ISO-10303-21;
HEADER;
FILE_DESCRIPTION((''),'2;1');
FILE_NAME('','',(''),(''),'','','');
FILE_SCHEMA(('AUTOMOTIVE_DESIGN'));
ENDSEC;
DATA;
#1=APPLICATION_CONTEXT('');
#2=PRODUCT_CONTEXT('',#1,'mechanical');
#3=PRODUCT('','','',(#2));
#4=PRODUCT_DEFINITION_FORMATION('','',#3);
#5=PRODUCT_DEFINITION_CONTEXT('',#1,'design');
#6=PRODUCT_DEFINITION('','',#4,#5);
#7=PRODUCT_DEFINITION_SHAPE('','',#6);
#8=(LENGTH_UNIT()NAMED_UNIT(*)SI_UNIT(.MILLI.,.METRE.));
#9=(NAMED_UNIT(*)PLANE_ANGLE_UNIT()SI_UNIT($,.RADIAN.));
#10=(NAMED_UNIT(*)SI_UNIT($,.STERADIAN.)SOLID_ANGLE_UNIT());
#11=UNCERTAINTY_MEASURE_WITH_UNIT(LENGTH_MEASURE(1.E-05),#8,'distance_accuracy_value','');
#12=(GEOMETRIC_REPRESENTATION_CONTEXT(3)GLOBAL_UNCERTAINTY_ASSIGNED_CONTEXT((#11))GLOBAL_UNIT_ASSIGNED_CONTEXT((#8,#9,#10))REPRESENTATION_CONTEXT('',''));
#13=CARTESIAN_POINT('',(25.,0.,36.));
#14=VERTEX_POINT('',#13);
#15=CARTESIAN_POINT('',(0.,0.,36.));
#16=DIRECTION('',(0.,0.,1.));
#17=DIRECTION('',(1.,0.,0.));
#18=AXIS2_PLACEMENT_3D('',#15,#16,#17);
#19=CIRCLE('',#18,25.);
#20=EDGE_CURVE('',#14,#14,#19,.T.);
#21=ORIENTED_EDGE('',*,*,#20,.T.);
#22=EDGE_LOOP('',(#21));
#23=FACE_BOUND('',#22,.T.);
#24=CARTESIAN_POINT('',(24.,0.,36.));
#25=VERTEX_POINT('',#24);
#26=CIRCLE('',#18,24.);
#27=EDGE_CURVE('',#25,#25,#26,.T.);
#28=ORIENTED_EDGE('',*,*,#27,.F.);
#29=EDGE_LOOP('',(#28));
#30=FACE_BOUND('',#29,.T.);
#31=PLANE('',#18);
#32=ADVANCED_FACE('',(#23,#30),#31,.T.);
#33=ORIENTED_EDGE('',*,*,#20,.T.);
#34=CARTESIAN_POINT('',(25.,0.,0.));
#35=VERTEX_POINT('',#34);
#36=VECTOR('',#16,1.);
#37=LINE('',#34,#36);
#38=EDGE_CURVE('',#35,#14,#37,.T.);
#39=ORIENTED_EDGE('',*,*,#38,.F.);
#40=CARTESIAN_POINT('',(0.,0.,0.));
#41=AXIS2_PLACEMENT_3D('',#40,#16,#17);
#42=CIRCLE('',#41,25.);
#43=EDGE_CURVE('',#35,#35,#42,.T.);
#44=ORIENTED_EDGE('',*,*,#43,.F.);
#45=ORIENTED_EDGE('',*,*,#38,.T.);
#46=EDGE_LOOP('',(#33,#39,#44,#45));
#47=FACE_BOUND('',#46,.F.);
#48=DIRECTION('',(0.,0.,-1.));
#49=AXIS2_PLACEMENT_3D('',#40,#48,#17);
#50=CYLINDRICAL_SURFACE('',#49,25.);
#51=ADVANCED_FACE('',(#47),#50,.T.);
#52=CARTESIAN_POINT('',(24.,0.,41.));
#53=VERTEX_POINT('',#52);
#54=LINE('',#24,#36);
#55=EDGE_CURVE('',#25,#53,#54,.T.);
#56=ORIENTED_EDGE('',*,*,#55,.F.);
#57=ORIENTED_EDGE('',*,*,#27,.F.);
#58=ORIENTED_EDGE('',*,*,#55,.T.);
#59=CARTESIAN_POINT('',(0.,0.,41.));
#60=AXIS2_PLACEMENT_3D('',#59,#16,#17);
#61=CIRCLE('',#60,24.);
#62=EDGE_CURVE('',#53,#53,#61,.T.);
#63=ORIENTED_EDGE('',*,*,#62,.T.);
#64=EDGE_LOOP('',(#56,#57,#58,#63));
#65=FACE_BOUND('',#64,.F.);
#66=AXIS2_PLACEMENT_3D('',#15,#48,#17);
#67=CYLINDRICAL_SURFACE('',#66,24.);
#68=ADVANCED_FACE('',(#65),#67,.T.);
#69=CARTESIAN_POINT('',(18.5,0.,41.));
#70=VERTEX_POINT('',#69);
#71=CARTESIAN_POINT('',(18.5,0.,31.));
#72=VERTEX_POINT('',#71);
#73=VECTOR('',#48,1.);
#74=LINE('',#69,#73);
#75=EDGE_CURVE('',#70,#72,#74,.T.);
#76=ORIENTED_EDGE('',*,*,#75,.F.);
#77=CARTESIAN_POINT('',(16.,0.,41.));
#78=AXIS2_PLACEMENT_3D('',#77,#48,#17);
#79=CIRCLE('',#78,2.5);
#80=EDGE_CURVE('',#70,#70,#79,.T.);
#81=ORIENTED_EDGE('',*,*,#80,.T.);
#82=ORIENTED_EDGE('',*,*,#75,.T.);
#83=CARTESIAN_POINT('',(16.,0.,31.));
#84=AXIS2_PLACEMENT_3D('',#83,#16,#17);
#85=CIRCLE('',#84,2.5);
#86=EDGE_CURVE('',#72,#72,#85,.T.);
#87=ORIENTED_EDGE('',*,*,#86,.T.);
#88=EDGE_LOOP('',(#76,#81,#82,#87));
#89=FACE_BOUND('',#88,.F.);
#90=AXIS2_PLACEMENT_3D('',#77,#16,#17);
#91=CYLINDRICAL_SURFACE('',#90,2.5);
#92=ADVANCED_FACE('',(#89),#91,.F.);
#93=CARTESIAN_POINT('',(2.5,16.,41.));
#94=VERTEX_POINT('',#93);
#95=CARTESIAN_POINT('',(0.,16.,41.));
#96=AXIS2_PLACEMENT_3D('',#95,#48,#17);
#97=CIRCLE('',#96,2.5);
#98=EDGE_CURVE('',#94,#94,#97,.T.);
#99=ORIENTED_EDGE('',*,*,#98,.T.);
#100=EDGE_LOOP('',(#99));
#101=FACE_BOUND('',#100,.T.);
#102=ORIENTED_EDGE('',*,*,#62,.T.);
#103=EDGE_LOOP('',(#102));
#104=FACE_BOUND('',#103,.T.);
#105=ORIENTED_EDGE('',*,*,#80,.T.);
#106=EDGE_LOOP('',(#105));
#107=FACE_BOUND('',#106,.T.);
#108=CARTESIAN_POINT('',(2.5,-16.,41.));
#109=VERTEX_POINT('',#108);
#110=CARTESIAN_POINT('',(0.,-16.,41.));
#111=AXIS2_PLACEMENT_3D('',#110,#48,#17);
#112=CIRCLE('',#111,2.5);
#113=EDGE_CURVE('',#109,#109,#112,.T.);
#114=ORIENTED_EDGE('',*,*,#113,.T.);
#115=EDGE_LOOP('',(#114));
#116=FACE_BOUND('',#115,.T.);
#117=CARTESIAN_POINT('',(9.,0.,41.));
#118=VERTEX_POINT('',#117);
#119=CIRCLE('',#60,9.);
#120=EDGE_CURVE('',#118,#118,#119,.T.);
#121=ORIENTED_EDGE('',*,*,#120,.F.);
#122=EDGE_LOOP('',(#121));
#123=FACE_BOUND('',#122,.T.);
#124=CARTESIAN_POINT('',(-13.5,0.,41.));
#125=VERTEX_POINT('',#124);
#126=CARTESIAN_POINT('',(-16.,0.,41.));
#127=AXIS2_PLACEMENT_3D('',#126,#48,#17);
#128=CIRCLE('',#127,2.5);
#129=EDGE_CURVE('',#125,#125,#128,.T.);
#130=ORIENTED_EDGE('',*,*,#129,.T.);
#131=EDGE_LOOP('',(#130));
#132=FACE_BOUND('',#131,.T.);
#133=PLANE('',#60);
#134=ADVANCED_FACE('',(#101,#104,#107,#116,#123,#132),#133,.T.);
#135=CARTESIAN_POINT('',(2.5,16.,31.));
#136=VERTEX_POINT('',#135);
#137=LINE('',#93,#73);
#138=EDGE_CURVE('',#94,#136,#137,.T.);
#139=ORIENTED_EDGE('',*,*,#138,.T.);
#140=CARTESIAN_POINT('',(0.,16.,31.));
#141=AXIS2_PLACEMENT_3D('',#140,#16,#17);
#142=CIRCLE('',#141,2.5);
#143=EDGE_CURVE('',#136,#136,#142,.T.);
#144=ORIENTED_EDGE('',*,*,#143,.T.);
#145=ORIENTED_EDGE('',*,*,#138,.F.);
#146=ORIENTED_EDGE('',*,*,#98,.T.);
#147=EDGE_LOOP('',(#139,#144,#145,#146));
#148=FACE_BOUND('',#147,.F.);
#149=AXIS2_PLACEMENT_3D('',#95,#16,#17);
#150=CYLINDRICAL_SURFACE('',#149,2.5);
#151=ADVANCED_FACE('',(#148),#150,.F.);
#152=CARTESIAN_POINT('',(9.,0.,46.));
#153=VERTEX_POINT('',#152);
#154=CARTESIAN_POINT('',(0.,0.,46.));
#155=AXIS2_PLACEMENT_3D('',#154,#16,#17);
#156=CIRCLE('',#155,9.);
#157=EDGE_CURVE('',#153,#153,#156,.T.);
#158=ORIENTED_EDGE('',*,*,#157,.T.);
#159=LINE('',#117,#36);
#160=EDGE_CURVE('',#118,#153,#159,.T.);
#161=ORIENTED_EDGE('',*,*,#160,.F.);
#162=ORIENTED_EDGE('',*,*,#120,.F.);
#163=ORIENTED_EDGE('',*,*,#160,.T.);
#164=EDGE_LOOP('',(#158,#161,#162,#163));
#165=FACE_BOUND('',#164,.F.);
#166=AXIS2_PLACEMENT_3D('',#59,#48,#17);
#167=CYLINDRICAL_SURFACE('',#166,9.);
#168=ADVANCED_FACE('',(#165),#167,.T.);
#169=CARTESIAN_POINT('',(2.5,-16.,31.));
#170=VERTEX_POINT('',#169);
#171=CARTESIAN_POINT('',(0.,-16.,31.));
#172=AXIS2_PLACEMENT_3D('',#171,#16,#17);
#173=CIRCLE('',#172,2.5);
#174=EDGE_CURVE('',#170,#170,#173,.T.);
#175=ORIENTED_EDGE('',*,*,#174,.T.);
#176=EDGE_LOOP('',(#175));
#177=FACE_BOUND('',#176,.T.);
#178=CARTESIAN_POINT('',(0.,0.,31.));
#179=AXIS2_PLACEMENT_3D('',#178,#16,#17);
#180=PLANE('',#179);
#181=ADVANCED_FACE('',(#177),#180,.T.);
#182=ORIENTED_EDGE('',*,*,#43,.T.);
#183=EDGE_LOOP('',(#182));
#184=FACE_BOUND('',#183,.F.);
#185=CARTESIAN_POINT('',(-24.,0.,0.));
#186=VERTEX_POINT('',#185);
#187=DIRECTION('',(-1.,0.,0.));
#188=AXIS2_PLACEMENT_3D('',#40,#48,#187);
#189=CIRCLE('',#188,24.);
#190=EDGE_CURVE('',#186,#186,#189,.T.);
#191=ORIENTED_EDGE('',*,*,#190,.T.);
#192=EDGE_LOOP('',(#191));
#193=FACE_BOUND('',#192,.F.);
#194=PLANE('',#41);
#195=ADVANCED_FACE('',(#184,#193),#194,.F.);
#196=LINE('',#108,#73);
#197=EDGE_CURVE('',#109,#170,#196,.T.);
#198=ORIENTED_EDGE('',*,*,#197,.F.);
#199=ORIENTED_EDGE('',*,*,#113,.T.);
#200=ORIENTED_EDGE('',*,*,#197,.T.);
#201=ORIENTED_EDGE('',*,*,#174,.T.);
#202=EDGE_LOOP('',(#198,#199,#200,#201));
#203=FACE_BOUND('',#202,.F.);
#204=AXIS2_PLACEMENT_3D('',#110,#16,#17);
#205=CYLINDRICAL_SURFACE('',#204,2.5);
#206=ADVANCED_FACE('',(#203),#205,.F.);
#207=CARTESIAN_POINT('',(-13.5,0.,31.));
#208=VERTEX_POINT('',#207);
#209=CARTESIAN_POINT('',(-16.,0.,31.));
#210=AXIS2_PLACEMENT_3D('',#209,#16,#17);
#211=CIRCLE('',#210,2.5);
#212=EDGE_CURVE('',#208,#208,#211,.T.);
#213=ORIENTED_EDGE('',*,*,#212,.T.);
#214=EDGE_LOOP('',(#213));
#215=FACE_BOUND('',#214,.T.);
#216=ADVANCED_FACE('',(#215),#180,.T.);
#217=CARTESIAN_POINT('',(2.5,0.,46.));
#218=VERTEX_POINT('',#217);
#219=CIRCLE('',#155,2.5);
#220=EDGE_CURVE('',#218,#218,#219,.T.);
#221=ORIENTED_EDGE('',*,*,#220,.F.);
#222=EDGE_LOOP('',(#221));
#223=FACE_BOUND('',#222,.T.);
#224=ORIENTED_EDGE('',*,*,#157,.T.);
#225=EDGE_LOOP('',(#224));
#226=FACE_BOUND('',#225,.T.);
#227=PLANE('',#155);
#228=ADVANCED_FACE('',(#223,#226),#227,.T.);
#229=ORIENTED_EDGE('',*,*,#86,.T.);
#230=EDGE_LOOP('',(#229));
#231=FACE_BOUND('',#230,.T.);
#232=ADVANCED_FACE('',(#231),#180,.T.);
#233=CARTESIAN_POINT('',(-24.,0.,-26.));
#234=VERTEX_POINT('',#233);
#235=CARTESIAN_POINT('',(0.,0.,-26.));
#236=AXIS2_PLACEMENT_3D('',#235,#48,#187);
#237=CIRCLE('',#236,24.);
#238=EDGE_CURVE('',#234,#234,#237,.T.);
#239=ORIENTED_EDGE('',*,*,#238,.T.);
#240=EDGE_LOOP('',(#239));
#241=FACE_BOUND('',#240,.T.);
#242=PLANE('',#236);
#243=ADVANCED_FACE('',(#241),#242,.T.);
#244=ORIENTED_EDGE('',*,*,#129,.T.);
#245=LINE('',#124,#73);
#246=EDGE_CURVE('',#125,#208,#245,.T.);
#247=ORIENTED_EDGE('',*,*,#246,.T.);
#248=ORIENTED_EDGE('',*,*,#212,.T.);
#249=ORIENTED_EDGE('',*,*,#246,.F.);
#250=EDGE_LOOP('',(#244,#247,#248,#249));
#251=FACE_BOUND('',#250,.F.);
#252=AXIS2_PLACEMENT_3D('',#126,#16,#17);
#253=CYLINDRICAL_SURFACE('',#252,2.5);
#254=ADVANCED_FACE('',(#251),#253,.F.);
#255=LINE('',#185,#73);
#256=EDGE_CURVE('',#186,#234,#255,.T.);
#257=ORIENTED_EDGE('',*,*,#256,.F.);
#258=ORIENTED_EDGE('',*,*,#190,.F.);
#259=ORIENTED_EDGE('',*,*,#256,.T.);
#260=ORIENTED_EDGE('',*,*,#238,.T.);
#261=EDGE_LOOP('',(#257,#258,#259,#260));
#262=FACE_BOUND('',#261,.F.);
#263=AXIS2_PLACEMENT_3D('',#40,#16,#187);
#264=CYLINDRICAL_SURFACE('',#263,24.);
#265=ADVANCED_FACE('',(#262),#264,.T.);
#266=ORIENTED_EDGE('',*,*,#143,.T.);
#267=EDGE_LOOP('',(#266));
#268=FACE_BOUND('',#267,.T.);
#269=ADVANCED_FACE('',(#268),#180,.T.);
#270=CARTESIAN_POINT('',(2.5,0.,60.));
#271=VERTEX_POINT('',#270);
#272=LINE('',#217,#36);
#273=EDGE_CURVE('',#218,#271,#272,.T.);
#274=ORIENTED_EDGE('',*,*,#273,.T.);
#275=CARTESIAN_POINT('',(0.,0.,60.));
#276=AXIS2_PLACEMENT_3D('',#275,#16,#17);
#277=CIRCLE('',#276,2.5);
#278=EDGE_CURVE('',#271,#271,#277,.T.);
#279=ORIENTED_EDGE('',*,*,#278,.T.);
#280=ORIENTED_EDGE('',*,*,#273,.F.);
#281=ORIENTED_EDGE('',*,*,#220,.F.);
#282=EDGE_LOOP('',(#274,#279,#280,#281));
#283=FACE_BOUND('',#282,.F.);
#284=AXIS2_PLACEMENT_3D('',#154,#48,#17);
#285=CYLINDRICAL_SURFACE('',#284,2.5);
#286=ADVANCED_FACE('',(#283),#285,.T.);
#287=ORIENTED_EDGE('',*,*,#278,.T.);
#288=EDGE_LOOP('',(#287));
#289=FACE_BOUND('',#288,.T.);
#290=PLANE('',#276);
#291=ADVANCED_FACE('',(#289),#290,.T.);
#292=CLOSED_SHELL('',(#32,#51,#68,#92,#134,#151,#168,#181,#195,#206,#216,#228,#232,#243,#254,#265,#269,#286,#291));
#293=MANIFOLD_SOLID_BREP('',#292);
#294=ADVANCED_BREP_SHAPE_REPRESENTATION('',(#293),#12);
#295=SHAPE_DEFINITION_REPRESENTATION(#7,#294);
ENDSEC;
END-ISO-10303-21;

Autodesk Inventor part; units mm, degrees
ref_plane "YZ Plane" through (0, 0, 0) normal (1, 0, 0) x (0, 1, 0)
ref_plane "XZ Plane" through (0, 0, 0) normal (0, 1, 0) x (-1, 0, 0)
ref_plane "XY Plane" through (0, 0, 0) normal (0, 0, 1) x (1, 0, 0)
sketch "Sketch1" plane through (0, 0, 0) normal (0, 0, 1) x (1, 0, 0)
  circle A0 centre (0, 0) radius 25
  dimension "d0" = 50
extrude "Extrusion1" add sketch "Sketch1" along normal blind 36
sketch "Sketch2" plane through (0, 0, 36) normal (0, 0, 1) x (1, 0, 0)
  circle A0 centre (0, 0) radius 24
  dimension "d3" = 48
extrude "Extrusion2" add sketch "Sketch2" along normal blind 5
sketch "Sketch3" plane through (0, 0, 0) normal (0, 0, -1) x (-1, 0, 0)
  circle A0 centre (0, 0) radius 24
  dimension "d6" = 48
extrude "Extrusion3" add sketch "Sketch3" along normal blind 26
sketch "Sketch4" plane through (0, 0, 41) normal (0, 0, 1) x (1, 0, 0)
  circle A0 centre (0, 0) radius 9
  dimension "d9" = 18
extrude "Extrusion4" add sketch "Sketch4" along normal blind 5
sketch "Sketch5" plane through (0, 0, 46) normal (0, 0, 1) x (1, 0, 0)
  circle A0 centre (0, 0) radius 2.5
  dimension "d12" = 5
extrude "Extrusion5" add sketch "Sketch5" along normal blind 14
sketch "Sketch6" plane through (0, 0, 41) normal (0, 0, 1) x (1, 0, 0)
  circle A0 centre (0, 0) radius 2.5 projected
  circle A1 centre (0, 0) radius 16
  circle A2 centre (16, 0) radius 2.5
  circle A3 centre (0, 16) radius 2.5
  circle A4 centre (-16, 0) radius 2.5
  circle A5 centre (0, -16) radius 2.5
  dimension "d15" = 32
  dimension "d16" = 5
  dimension "d19" = 360
extrude "Extrusion6" cut sketch "Sketch6" against normal blind 10 contours A1 A2 | A1 A2 | A3 A1 | A1 A3 | A5 A1 | A1 A5 | A4 A1 | A1 A4
properties part number "MOTOR 895"
